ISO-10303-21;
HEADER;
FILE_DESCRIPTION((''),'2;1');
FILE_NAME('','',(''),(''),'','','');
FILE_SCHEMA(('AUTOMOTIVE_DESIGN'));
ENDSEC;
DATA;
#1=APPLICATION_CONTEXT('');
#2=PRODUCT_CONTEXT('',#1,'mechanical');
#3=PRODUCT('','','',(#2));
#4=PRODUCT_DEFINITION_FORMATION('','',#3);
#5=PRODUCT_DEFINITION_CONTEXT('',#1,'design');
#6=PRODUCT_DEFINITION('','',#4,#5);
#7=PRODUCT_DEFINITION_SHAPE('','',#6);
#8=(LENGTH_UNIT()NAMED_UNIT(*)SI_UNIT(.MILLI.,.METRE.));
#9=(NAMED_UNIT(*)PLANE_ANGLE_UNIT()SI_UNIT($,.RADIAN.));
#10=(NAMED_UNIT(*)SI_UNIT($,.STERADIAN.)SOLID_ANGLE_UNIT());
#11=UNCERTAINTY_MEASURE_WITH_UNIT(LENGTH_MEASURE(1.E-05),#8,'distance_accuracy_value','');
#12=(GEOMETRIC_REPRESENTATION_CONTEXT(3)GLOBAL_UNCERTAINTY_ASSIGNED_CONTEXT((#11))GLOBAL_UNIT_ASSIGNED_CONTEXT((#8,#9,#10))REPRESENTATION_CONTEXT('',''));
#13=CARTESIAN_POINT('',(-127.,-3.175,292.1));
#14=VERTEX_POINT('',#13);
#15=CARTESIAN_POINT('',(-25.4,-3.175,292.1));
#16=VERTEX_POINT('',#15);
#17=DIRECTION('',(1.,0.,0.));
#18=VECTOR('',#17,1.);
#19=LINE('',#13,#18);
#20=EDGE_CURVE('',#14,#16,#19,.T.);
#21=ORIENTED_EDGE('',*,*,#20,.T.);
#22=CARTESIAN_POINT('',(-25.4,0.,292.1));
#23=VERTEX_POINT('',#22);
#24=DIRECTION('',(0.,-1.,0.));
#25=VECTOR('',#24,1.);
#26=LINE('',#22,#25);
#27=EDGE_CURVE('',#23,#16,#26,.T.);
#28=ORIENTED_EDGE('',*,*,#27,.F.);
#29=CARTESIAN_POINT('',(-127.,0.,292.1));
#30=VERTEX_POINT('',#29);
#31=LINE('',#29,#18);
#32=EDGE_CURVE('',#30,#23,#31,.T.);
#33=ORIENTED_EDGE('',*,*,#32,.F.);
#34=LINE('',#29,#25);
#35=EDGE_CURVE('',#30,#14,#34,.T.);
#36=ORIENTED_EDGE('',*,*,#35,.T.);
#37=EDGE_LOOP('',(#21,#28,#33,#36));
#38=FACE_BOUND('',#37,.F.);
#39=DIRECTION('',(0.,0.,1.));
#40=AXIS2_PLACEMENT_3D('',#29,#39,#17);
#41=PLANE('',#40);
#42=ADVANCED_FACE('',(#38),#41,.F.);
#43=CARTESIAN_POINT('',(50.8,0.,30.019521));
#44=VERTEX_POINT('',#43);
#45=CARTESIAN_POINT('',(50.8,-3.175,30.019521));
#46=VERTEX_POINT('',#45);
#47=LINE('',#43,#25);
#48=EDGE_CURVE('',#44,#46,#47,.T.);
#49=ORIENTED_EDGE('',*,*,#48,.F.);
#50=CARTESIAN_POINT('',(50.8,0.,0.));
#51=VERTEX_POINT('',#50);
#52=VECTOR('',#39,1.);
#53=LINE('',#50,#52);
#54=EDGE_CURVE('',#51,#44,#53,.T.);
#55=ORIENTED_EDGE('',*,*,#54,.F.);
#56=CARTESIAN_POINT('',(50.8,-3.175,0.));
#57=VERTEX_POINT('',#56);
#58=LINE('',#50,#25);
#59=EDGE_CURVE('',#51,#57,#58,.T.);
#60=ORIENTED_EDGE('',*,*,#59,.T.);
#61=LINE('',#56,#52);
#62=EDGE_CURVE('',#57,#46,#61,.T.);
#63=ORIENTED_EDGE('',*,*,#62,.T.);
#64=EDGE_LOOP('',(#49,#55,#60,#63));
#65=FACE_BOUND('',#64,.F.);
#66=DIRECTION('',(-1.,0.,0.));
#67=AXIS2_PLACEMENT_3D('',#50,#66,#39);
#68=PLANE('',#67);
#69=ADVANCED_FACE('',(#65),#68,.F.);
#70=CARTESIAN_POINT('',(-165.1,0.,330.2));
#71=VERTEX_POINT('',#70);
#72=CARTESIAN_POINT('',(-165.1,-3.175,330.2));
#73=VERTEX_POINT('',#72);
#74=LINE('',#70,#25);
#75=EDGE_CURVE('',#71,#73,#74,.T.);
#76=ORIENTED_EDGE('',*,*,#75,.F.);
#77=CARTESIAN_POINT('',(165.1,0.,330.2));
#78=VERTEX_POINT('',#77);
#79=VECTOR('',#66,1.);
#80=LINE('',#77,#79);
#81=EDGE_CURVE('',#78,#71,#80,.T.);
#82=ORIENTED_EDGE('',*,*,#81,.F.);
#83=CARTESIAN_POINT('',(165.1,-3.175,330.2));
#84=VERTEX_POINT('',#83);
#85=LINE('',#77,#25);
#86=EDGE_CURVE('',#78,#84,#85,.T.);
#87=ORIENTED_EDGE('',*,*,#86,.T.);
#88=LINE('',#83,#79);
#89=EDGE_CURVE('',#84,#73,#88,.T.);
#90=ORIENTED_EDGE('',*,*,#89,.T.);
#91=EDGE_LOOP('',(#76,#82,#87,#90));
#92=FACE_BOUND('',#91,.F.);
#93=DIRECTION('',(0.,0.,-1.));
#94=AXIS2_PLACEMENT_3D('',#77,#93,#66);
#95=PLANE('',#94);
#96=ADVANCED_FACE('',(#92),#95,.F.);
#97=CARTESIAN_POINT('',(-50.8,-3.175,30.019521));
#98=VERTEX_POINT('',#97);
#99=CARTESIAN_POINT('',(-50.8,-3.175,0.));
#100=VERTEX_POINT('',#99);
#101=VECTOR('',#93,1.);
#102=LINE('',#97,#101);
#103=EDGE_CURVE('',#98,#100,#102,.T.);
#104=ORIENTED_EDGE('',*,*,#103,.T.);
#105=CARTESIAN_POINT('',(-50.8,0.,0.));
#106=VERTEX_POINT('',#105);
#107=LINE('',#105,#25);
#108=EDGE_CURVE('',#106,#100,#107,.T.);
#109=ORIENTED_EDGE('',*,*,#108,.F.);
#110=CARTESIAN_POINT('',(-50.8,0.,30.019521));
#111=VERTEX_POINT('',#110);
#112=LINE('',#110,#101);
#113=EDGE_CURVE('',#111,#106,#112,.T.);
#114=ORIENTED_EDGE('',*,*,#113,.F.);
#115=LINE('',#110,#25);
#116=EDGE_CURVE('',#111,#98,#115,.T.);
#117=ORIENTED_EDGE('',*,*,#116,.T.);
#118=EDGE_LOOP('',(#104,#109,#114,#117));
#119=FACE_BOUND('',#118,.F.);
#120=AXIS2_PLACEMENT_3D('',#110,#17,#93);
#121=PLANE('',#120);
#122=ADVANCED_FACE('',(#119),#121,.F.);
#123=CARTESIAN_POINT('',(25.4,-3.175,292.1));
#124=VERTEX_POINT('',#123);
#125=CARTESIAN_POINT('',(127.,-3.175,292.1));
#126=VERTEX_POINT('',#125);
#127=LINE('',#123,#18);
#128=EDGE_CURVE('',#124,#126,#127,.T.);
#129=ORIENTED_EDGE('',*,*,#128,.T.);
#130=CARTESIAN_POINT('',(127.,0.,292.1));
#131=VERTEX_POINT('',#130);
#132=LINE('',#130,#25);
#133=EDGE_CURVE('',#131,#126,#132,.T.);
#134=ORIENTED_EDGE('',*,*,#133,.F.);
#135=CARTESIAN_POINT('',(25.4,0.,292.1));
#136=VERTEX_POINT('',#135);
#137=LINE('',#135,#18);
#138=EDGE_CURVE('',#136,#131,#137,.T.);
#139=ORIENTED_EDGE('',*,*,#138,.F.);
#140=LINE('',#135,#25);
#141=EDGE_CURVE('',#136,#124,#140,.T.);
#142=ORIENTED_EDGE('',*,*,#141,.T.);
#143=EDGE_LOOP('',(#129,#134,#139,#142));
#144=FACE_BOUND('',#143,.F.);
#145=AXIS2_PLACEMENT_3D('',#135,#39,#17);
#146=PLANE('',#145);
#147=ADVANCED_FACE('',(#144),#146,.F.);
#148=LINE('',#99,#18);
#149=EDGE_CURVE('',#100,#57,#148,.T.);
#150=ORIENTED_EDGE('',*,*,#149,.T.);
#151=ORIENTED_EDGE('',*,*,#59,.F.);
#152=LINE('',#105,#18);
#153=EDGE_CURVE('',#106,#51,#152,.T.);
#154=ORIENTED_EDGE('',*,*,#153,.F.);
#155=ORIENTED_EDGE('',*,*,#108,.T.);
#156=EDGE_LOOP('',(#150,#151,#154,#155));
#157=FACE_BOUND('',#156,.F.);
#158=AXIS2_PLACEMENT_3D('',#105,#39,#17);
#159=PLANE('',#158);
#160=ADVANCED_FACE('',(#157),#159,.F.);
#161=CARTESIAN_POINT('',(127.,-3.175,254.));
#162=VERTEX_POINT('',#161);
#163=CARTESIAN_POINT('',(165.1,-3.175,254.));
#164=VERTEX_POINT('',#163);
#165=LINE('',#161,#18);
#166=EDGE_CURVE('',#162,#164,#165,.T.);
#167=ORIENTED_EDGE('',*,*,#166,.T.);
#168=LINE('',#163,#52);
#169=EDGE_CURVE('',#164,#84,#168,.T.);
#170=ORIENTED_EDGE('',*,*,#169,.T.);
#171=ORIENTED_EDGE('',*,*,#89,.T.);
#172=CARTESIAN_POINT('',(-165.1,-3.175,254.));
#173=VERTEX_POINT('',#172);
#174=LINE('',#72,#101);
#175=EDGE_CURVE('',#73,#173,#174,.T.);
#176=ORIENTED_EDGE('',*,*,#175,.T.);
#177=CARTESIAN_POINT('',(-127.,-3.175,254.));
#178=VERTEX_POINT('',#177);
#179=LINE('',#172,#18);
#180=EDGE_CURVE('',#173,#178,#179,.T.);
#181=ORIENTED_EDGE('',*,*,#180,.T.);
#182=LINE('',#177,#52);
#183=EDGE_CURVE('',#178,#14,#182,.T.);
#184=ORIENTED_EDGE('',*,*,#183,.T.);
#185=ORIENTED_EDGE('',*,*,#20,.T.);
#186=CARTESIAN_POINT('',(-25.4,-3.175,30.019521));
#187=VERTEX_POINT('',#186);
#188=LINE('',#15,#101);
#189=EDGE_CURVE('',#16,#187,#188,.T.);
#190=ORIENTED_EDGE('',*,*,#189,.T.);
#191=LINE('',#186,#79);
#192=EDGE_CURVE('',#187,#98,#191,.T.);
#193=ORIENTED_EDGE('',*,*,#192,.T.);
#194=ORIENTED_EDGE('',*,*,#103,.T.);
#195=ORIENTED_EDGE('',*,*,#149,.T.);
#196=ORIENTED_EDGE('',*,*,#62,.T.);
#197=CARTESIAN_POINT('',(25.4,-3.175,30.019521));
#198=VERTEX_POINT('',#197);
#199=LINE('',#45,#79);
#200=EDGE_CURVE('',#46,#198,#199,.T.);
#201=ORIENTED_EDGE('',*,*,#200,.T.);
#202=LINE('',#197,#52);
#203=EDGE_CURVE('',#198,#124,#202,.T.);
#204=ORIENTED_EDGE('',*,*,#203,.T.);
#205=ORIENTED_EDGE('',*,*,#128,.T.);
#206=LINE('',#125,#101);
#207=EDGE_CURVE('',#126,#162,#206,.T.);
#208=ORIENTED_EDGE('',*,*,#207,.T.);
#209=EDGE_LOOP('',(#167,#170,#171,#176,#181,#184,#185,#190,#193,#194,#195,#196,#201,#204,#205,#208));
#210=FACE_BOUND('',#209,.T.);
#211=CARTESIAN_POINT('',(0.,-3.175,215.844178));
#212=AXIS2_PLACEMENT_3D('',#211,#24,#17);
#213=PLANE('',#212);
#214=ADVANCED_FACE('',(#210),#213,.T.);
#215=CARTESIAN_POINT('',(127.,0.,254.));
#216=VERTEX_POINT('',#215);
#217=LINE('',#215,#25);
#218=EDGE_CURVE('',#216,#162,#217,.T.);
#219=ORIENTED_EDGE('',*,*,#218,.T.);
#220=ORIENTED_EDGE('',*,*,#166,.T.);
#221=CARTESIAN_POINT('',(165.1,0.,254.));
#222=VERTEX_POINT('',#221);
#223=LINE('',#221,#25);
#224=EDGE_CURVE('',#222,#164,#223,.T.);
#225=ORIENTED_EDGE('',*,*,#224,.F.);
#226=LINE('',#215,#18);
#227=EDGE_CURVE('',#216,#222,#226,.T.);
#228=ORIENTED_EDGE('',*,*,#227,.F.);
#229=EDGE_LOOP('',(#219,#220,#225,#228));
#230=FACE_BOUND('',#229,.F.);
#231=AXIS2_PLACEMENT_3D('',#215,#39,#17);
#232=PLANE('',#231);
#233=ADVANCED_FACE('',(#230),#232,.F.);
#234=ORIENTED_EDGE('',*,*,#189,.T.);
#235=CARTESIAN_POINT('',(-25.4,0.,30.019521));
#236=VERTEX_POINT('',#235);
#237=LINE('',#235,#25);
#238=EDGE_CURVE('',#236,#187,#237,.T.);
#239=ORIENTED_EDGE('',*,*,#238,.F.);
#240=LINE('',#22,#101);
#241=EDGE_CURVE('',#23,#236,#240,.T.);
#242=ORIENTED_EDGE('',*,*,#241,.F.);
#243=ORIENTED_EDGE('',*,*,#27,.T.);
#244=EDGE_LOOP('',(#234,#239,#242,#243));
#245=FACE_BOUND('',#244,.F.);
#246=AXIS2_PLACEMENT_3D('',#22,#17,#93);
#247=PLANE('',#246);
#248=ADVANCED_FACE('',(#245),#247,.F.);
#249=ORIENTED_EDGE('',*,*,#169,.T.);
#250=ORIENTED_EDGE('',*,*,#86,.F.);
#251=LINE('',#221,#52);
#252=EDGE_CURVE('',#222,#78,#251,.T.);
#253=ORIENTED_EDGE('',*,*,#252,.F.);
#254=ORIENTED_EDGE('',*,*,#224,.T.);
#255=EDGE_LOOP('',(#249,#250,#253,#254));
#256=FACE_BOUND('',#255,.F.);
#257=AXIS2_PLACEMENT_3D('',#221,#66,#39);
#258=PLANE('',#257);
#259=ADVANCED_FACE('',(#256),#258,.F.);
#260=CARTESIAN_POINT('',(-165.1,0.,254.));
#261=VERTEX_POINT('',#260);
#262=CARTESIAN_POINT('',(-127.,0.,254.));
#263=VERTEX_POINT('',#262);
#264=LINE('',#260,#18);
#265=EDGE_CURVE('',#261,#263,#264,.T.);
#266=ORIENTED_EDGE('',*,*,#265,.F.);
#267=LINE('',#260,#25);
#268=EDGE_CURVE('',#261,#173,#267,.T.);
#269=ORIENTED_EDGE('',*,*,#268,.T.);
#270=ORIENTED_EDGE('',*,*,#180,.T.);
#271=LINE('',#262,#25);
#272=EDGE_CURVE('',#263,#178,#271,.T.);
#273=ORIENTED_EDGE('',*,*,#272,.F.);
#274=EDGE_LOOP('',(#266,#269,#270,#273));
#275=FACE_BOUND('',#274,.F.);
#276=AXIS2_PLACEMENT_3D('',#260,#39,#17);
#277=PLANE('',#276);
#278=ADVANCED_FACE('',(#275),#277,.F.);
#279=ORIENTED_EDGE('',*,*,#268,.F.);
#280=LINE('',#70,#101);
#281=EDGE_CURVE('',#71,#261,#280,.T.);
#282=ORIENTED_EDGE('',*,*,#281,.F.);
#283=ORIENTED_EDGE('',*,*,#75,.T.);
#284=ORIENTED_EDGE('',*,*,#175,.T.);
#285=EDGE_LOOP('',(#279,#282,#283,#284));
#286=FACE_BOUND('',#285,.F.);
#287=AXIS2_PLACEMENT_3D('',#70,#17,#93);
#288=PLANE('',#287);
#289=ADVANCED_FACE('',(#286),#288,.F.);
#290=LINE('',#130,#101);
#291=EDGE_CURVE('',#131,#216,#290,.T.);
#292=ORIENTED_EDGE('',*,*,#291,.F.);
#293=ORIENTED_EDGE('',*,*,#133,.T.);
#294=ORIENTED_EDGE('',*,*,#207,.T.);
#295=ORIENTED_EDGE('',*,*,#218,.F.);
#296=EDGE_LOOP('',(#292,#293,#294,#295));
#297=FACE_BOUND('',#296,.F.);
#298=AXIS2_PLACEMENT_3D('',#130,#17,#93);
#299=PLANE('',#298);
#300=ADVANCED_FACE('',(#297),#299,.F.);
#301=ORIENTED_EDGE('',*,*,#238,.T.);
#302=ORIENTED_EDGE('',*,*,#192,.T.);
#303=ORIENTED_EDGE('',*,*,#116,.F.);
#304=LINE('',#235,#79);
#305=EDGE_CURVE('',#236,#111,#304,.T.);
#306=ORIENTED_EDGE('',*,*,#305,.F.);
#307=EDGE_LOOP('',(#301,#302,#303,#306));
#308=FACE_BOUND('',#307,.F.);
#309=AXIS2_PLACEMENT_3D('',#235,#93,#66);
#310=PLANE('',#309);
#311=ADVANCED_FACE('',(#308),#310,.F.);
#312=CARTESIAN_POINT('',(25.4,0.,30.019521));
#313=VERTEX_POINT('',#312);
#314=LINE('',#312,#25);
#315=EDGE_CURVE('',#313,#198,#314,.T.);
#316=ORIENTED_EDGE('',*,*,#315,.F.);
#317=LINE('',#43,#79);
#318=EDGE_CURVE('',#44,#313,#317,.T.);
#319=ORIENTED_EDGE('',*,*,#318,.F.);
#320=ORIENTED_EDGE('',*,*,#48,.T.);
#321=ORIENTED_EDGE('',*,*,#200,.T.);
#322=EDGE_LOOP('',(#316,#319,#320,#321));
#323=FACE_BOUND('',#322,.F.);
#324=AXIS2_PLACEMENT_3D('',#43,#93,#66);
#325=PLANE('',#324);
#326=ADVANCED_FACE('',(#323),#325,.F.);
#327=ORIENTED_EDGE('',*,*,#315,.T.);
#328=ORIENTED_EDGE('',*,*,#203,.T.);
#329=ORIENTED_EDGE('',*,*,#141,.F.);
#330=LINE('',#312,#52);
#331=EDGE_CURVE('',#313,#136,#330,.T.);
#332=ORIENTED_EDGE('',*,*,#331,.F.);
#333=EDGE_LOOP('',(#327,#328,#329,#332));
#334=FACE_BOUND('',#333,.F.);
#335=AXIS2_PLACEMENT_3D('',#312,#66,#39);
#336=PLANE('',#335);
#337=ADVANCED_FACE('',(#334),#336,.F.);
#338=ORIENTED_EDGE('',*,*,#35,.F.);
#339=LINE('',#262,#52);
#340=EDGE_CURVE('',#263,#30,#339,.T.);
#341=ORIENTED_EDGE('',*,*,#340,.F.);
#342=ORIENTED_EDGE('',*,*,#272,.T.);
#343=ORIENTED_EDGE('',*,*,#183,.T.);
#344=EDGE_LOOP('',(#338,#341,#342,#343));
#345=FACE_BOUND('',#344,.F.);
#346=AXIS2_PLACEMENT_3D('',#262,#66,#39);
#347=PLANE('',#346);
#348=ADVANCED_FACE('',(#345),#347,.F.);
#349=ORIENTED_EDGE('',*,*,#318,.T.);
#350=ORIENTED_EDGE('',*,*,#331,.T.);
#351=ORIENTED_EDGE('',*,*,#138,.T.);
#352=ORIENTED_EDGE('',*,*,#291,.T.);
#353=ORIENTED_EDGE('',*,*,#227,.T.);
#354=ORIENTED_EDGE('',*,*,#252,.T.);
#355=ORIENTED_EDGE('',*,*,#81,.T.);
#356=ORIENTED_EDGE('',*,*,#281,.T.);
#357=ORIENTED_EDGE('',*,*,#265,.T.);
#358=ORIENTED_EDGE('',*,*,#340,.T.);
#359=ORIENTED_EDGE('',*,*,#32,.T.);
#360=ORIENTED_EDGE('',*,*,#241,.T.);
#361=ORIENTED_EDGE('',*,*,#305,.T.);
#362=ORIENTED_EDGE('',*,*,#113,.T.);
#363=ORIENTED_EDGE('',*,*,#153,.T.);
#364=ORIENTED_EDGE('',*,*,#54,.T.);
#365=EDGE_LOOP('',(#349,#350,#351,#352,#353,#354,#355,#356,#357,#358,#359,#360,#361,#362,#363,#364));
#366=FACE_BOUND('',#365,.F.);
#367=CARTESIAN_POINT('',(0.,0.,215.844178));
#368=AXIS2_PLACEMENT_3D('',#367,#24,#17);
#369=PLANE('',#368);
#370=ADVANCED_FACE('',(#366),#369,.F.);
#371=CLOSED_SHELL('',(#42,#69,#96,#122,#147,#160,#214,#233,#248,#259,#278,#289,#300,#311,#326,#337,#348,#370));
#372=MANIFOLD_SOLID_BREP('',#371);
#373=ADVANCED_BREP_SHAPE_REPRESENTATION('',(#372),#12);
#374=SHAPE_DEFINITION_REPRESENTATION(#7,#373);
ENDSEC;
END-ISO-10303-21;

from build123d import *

# Parameters (mm, degrees)
F1_DEPTH = 3.175


with BuildPart() as f1:
    # F0 (on Front) → F1 (new body)
    with BuildSketch(Plane.XZ):
        Polygon((0, 330.2), (-25.4, 330.2), (-127, 330.2), (-165.1, 330.2), (-165.1, 292.1), (-165.1, 254), (-127, 254), (-127, 292.1), (-25.4, 292.1), (-25.4, 30.019521), (-50.8, 30.019521), (-50.8, 0), (-25.4, 0), (0, 0), (50.8, 0), (50.8, 30.019521), (25.4, 30.019521), (25.4, 292.1), (127, 292.1), (127, 254), (165.1, 254), (165.1, 330.2), align=None)
    extrude(amount=F1_DEPTH)


solid = f1.part
